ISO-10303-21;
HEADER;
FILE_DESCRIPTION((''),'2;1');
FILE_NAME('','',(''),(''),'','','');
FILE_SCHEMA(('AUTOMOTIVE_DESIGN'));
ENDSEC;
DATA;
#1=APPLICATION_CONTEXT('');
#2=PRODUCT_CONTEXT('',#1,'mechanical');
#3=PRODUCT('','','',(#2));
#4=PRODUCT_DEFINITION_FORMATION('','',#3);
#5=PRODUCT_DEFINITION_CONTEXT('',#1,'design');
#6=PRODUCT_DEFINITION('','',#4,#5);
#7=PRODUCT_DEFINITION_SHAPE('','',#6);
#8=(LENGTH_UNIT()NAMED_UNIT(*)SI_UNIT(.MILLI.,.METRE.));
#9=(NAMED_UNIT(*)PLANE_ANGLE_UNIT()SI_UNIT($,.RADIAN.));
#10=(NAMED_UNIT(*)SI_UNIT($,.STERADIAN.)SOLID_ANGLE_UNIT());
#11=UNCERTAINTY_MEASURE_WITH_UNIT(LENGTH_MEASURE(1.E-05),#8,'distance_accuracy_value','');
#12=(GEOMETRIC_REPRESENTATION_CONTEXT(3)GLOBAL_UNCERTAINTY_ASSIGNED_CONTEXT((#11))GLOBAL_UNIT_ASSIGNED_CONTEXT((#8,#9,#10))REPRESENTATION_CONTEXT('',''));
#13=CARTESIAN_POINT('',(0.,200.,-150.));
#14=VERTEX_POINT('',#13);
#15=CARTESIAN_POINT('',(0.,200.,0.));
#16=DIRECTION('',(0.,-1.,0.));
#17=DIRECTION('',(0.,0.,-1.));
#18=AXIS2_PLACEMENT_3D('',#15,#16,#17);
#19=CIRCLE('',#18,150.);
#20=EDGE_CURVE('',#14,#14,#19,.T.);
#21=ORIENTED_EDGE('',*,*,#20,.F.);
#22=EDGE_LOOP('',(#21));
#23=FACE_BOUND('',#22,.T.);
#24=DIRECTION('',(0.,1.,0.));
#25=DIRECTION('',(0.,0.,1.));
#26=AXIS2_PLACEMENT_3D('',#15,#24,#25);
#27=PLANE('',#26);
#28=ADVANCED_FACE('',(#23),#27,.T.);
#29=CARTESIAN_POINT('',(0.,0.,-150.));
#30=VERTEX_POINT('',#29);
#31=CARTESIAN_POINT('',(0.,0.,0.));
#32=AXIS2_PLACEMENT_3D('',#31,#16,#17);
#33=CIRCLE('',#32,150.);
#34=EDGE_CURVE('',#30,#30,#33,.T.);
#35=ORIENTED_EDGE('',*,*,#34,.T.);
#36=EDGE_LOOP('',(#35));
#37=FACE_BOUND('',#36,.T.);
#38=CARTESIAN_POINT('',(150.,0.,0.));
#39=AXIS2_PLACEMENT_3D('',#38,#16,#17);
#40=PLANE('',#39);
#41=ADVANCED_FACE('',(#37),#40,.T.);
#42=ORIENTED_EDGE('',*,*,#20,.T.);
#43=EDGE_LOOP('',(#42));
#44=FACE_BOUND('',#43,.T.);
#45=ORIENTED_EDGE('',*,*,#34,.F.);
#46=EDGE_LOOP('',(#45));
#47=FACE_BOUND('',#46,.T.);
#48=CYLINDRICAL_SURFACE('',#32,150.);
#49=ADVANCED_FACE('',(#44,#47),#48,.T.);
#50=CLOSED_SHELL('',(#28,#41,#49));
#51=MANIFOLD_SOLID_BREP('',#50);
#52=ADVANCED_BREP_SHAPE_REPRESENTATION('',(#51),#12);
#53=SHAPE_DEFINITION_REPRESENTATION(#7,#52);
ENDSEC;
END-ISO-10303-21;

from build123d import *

# Parameters (mm, degrees)
ESBO_O1_W = 150
ESBO_O1_H = 200


with BuildPart() as part:
    # Esboço1 → Revolução1 (revolve)
    with BuildSketch(Plane.XY):
        with Locations((75, 100)):
            Rectangle(ESBO_O1_W, ESBO_O1_H)
    revolve(axis=Axis((0, 0, 0), (0, 1, 0)))


solid = part.part
